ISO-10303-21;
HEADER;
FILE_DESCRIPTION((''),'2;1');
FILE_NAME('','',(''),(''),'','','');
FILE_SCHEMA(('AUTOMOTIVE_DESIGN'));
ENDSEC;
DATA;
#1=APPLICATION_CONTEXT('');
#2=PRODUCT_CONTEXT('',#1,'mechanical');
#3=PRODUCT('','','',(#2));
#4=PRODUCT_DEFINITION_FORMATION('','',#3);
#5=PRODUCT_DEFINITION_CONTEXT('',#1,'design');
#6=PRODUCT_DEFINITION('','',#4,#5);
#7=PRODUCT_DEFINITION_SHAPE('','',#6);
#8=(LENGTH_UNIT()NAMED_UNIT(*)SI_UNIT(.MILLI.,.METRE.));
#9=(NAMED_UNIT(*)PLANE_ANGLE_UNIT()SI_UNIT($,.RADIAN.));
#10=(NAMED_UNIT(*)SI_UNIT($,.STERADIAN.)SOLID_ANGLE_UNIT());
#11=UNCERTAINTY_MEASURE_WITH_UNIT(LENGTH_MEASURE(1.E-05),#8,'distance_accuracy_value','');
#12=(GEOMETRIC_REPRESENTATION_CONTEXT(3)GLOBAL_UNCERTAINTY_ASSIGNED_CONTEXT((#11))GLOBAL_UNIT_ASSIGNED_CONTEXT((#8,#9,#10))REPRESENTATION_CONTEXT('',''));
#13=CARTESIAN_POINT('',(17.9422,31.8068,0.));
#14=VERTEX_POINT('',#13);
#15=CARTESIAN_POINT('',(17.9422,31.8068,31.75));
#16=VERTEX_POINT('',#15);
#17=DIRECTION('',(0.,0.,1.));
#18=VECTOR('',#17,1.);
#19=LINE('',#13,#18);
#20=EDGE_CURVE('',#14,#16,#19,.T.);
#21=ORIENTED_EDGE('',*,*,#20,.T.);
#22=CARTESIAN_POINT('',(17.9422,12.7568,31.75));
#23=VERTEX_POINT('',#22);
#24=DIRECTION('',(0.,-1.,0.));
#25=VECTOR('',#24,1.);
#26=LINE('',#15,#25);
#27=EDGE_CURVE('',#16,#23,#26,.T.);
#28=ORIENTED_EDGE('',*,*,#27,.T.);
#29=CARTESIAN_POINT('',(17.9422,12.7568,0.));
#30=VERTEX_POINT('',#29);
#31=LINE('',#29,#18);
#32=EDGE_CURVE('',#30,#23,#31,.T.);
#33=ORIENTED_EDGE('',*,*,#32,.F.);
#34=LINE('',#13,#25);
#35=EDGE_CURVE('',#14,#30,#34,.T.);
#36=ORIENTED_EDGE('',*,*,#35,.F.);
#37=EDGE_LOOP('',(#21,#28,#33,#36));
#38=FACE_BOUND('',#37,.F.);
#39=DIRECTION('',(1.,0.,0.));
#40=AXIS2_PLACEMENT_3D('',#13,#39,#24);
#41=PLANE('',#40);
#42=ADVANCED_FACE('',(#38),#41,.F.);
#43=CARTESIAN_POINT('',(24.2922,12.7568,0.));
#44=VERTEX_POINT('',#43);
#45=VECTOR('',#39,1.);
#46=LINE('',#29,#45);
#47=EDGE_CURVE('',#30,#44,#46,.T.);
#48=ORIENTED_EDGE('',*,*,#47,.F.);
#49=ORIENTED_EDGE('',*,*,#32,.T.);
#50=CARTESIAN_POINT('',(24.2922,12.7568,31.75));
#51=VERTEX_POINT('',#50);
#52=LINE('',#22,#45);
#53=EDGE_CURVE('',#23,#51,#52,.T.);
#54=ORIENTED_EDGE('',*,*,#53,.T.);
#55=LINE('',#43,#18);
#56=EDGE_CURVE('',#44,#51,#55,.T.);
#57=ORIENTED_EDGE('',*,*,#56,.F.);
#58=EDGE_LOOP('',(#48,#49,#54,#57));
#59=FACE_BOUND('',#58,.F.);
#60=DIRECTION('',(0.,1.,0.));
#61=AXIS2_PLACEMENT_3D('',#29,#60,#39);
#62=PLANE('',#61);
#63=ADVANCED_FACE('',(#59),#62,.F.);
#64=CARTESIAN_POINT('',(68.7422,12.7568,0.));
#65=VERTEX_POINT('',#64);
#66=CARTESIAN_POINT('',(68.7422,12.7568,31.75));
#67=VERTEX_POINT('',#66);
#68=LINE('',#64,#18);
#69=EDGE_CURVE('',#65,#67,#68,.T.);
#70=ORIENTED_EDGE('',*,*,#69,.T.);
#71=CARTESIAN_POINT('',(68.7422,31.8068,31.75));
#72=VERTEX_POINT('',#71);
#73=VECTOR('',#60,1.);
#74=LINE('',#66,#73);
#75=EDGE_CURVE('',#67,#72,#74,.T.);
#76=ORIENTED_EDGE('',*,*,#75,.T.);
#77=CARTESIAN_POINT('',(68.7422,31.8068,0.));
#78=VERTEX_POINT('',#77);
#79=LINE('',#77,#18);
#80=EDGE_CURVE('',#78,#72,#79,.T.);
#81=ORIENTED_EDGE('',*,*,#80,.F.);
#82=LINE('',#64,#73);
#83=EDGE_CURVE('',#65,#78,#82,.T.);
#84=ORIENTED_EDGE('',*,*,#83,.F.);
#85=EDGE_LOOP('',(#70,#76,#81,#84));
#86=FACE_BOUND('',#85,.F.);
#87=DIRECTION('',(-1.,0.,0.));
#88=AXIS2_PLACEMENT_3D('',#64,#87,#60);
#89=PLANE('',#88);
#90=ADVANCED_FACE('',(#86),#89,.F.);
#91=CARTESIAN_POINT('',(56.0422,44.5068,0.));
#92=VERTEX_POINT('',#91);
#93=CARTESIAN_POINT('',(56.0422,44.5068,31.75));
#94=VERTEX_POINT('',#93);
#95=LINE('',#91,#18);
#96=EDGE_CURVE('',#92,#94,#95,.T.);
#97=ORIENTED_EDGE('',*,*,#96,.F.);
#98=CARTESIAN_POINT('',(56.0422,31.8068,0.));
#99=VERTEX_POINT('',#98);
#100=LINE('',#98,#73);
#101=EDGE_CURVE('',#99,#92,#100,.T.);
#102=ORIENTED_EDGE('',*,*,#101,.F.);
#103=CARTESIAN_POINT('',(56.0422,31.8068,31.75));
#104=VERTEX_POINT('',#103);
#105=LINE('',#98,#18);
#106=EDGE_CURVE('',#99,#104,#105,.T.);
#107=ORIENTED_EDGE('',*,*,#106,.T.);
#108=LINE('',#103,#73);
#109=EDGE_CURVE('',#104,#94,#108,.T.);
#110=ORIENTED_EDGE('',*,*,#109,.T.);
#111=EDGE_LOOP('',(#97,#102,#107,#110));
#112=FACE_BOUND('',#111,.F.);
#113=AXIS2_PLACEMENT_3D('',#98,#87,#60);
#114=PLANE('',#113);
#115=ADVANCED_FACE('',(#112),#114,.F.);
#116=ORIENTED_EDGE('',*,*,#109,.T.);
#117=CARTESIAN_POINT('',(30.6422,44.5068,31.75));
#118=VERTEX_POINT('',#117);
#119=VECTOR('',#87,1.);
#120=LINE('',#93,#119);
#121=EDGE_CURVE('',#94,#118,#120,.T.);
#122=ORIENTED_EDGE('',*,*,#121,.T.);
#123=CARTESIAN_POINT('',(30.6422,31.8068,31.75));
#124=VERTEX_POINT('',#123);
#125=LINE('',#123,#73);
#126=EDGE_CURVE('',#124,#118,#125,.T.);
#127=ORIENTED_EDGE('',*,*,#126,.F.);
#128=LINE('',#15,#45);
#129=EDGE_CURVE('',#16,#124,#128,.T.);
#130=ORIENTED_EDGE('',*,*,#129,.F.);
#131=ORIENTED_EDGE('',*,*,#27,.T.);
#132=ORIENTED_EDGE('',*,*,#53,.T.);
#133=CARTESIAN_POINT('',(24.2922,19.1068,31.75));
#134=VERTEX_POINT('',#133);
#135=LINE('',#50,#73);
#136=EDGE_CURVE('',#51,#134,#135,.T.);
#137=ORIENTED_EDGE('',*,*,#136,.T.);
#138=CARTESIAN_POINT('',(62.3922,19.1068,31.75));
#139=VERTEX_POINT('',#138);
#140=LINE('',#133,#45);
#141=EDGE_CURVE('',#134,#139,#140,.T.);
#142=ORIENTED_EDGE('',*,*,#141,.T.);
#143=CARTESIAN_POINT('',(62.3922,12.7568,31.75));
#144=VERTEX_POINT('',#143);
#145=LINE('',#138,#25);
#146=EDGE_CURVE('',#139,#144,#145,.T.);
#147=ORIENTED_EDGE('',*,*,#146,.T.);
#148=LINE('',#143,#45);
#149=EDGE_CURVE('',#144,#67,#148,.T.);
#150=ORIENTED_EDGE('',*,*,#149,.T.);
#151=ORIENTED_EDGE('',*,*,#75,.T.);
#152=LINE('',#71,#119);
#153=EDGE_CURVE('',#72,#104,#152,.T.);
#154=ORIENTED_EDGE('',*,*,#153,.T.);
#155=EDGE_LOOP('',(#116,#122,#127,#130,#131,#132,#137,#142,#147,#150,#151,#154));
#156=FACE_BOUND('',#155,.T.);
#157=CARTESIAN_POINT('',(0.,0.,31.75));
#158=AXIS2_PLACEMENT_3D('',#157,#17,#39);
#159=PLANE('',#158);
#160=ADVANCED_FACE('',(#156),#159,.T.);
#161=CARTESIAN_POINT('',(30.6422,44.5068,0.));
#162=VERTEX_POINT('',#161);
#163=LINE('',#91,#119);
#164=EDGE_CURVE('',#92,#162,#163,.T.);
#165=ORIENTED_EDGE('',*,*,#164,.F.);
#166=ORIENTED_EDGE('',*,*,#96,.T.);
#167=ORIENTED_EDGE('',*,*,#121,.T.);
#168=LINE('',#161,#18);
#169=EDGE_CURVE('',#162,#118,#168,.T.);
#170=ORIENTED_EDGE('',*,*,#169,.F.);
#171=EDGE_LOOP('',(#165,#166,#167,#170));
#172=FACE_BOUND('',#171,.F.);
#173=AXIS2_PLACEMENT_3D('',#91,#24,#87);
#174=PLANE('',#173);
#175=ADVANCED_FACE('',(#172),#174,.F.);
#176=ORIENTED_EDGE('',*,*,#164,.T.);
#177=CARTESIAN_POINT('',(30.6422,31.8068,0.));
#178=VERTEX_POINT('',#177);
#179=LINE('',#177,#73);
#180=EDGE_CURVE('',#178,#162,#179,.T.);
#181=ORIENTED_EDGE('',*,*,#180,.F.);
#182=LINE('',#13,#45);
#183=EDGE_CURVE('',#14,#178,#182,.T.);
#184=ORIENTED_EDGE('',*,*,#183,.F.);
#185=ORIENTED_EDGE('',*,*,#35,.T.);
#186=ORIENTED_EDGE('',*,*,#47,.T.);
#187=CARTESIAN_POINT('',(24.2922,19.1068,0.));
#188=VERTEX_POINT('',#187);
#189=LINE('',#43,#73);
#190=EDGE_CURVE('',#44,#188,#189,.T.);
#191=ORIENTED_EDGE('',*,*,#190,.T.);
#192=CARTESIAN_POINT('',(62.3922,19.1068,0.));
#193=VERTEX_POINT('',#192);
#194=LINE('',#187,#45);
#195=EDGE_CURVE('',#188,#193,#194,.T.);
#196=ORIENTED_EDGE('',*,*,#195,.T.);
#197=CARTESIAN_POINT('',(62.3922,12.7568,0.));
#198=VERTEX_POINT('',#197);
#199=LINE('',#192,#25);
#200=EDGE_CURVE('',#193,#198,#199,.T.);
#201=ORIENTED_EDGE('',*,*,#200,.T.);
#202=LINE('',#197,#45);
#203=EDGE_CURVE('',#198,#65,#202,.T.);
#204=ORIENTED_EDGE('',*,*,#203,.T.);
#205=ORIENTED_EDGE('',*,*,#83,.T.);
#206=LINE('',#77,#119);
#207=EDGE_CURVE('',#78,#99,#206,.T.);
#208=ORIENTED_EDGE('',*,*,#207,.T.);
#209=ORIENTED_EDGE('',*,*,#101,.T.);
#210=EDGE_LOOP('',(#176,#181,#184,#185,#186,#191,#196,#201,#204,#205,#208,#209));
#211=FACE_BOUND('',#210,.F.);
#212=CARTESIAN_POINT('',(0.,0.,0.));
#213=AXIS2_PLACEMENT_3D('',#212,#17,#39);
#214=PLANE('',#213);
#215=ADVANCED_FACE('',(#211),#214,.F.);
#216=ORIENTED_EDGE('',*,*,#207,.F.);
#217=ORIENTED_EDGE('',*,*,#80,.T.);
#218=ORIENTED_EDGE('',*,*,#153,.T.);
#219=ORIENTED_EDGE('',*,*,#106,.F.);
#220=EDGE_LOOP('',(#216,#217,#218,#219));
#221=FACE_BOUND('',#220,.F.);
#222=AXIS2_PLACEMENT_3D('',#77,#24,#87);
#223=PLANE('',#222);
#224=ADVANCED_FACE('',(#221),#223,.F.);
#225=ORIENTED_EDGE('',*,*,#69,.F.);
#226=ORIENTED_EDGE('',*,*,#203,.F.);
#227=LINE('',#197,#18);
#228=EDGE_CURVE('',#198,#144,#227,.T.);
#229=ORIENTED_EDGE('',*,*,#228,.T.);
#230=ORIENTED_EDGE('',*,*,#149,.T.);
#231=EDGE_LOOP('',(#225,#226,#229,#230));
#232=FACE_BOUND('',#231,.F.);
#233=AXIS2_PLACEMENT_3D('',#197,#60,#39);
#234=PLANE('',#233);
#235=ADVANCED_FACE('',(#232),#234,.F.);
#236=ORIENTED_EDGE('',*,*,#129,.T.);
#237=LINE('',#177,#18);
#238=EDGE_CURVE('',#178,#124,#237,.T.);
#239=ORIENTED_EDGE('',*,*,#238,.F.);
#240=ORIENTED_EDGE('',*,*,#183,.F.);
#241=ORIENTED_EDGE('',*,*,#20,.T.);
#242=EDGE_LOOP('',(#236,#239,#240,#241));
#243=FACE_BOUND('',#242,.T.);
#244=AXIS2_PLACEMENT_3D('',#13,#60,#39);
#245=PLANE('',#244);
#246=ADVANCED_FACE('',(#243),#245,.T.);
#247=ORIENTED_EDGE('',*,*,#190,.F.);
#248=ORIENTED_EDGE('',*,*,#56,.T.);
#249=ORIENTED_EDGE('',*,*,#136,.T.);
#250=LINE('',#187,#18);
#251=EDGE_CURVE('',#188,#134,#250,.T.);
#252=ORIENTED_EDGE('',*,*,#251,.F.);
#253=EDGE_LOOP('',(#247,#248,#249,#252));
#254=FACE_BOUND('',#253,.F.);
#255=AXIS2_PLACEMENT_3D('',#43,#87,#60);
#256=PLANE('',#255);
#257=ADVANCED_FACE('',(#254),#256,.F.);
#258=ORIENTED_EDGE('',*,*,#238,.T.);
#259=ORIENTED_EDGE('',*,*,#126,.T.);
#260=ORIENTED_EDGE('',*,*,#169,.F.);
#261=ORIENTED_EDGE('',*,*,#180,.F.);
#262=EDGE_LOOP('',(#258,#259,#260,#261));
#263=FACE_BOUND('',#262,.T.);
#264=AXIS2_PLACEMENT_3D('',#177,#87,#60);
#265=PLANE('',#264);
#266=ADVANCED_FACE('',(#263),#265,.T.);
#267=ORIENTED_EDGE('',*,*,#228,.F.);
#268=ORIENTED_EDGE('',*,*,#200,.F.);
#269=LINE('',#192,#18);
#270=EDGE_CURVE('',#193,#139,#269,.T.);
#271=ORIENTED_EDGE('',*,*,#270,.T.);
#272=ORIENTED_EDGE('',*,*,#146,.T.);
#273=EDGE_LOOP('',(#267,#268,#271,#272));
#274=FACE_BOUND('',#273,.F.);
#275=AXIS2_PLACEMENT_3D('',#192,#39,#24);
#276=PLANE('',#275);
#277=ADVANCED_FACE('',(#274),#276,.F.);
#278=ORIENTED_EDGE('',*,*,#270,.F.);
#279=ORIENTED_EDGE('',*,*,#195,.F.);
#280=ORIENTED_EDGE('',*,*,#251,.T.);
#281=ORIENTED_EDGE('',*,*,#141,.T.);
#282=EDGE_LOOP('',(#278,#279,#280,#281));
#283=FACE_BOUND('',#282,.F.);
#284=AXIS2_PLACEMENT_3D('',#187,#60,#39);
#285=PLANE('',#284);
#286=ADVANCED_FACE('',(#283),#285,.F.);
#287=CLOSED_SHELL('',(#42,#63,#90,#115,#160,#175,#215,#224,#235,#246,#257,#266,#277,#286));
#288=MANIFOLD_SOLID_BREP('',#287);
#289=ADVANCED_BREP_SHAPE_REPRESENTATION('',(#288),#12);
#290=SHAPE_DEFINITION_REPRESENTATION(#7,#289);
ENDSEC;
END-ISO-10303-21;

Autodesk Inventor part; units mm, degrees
ref_plane "YZ Plane" through (0, 0, 0) normal (1, 0, 0) x (0, 1, 0)
ref_plane "XZ Plane" through (0, 0, 0) normal (0, 1, 0) x (-1, 0, 0)
ref_plane "XY Plane" through (0, 0, 0) normal (0, 0, 1) x (1, 0, 0)
sketch "Sketch1" plane through (0, 0, 0) normal (0, 0, 1) x (1, 0, 0)
  line L0 (68.7422, 12.7568) -> (68.7422, 31.8068)
  line L1 (56.0422, 44.5068) -> (30.6422, 44.5068)
  line L2 (17.9422, 31.8068) -> (17.9422, 12.7568)
  line L3 (17.9422, 31.8068) -> (30.6422, 31.8068)
  line L4 (30.6422, 31.8068) -> (30.6422, 44.5068)
  line L5 (68.7422, 31.8068) -> (56.0422, 31.8068)
  line L6 (56.0422, 31.8068) -> (56.0422, 44.5068)
  line L7 (24.2922, 12.7568) -> (24.2922, 19.1068)
  line L8 (24.2922, 19.1068) -> (62.3922, 19.1068)
  line L9 (62.3922, 19.1068) -> (62.3922, 12.7568)
  line L10 (17.9422, 12.7568) -> (24.2922, 12.7568)
  line L11 (62.3922, 12.7568) -> (68.7422, 12.7568)
  point P0 (0, 0)
extrude "Extrusion1" add sketch "Sketch1" along normal blind 31.75
properties part number "7.1 Part 2"
